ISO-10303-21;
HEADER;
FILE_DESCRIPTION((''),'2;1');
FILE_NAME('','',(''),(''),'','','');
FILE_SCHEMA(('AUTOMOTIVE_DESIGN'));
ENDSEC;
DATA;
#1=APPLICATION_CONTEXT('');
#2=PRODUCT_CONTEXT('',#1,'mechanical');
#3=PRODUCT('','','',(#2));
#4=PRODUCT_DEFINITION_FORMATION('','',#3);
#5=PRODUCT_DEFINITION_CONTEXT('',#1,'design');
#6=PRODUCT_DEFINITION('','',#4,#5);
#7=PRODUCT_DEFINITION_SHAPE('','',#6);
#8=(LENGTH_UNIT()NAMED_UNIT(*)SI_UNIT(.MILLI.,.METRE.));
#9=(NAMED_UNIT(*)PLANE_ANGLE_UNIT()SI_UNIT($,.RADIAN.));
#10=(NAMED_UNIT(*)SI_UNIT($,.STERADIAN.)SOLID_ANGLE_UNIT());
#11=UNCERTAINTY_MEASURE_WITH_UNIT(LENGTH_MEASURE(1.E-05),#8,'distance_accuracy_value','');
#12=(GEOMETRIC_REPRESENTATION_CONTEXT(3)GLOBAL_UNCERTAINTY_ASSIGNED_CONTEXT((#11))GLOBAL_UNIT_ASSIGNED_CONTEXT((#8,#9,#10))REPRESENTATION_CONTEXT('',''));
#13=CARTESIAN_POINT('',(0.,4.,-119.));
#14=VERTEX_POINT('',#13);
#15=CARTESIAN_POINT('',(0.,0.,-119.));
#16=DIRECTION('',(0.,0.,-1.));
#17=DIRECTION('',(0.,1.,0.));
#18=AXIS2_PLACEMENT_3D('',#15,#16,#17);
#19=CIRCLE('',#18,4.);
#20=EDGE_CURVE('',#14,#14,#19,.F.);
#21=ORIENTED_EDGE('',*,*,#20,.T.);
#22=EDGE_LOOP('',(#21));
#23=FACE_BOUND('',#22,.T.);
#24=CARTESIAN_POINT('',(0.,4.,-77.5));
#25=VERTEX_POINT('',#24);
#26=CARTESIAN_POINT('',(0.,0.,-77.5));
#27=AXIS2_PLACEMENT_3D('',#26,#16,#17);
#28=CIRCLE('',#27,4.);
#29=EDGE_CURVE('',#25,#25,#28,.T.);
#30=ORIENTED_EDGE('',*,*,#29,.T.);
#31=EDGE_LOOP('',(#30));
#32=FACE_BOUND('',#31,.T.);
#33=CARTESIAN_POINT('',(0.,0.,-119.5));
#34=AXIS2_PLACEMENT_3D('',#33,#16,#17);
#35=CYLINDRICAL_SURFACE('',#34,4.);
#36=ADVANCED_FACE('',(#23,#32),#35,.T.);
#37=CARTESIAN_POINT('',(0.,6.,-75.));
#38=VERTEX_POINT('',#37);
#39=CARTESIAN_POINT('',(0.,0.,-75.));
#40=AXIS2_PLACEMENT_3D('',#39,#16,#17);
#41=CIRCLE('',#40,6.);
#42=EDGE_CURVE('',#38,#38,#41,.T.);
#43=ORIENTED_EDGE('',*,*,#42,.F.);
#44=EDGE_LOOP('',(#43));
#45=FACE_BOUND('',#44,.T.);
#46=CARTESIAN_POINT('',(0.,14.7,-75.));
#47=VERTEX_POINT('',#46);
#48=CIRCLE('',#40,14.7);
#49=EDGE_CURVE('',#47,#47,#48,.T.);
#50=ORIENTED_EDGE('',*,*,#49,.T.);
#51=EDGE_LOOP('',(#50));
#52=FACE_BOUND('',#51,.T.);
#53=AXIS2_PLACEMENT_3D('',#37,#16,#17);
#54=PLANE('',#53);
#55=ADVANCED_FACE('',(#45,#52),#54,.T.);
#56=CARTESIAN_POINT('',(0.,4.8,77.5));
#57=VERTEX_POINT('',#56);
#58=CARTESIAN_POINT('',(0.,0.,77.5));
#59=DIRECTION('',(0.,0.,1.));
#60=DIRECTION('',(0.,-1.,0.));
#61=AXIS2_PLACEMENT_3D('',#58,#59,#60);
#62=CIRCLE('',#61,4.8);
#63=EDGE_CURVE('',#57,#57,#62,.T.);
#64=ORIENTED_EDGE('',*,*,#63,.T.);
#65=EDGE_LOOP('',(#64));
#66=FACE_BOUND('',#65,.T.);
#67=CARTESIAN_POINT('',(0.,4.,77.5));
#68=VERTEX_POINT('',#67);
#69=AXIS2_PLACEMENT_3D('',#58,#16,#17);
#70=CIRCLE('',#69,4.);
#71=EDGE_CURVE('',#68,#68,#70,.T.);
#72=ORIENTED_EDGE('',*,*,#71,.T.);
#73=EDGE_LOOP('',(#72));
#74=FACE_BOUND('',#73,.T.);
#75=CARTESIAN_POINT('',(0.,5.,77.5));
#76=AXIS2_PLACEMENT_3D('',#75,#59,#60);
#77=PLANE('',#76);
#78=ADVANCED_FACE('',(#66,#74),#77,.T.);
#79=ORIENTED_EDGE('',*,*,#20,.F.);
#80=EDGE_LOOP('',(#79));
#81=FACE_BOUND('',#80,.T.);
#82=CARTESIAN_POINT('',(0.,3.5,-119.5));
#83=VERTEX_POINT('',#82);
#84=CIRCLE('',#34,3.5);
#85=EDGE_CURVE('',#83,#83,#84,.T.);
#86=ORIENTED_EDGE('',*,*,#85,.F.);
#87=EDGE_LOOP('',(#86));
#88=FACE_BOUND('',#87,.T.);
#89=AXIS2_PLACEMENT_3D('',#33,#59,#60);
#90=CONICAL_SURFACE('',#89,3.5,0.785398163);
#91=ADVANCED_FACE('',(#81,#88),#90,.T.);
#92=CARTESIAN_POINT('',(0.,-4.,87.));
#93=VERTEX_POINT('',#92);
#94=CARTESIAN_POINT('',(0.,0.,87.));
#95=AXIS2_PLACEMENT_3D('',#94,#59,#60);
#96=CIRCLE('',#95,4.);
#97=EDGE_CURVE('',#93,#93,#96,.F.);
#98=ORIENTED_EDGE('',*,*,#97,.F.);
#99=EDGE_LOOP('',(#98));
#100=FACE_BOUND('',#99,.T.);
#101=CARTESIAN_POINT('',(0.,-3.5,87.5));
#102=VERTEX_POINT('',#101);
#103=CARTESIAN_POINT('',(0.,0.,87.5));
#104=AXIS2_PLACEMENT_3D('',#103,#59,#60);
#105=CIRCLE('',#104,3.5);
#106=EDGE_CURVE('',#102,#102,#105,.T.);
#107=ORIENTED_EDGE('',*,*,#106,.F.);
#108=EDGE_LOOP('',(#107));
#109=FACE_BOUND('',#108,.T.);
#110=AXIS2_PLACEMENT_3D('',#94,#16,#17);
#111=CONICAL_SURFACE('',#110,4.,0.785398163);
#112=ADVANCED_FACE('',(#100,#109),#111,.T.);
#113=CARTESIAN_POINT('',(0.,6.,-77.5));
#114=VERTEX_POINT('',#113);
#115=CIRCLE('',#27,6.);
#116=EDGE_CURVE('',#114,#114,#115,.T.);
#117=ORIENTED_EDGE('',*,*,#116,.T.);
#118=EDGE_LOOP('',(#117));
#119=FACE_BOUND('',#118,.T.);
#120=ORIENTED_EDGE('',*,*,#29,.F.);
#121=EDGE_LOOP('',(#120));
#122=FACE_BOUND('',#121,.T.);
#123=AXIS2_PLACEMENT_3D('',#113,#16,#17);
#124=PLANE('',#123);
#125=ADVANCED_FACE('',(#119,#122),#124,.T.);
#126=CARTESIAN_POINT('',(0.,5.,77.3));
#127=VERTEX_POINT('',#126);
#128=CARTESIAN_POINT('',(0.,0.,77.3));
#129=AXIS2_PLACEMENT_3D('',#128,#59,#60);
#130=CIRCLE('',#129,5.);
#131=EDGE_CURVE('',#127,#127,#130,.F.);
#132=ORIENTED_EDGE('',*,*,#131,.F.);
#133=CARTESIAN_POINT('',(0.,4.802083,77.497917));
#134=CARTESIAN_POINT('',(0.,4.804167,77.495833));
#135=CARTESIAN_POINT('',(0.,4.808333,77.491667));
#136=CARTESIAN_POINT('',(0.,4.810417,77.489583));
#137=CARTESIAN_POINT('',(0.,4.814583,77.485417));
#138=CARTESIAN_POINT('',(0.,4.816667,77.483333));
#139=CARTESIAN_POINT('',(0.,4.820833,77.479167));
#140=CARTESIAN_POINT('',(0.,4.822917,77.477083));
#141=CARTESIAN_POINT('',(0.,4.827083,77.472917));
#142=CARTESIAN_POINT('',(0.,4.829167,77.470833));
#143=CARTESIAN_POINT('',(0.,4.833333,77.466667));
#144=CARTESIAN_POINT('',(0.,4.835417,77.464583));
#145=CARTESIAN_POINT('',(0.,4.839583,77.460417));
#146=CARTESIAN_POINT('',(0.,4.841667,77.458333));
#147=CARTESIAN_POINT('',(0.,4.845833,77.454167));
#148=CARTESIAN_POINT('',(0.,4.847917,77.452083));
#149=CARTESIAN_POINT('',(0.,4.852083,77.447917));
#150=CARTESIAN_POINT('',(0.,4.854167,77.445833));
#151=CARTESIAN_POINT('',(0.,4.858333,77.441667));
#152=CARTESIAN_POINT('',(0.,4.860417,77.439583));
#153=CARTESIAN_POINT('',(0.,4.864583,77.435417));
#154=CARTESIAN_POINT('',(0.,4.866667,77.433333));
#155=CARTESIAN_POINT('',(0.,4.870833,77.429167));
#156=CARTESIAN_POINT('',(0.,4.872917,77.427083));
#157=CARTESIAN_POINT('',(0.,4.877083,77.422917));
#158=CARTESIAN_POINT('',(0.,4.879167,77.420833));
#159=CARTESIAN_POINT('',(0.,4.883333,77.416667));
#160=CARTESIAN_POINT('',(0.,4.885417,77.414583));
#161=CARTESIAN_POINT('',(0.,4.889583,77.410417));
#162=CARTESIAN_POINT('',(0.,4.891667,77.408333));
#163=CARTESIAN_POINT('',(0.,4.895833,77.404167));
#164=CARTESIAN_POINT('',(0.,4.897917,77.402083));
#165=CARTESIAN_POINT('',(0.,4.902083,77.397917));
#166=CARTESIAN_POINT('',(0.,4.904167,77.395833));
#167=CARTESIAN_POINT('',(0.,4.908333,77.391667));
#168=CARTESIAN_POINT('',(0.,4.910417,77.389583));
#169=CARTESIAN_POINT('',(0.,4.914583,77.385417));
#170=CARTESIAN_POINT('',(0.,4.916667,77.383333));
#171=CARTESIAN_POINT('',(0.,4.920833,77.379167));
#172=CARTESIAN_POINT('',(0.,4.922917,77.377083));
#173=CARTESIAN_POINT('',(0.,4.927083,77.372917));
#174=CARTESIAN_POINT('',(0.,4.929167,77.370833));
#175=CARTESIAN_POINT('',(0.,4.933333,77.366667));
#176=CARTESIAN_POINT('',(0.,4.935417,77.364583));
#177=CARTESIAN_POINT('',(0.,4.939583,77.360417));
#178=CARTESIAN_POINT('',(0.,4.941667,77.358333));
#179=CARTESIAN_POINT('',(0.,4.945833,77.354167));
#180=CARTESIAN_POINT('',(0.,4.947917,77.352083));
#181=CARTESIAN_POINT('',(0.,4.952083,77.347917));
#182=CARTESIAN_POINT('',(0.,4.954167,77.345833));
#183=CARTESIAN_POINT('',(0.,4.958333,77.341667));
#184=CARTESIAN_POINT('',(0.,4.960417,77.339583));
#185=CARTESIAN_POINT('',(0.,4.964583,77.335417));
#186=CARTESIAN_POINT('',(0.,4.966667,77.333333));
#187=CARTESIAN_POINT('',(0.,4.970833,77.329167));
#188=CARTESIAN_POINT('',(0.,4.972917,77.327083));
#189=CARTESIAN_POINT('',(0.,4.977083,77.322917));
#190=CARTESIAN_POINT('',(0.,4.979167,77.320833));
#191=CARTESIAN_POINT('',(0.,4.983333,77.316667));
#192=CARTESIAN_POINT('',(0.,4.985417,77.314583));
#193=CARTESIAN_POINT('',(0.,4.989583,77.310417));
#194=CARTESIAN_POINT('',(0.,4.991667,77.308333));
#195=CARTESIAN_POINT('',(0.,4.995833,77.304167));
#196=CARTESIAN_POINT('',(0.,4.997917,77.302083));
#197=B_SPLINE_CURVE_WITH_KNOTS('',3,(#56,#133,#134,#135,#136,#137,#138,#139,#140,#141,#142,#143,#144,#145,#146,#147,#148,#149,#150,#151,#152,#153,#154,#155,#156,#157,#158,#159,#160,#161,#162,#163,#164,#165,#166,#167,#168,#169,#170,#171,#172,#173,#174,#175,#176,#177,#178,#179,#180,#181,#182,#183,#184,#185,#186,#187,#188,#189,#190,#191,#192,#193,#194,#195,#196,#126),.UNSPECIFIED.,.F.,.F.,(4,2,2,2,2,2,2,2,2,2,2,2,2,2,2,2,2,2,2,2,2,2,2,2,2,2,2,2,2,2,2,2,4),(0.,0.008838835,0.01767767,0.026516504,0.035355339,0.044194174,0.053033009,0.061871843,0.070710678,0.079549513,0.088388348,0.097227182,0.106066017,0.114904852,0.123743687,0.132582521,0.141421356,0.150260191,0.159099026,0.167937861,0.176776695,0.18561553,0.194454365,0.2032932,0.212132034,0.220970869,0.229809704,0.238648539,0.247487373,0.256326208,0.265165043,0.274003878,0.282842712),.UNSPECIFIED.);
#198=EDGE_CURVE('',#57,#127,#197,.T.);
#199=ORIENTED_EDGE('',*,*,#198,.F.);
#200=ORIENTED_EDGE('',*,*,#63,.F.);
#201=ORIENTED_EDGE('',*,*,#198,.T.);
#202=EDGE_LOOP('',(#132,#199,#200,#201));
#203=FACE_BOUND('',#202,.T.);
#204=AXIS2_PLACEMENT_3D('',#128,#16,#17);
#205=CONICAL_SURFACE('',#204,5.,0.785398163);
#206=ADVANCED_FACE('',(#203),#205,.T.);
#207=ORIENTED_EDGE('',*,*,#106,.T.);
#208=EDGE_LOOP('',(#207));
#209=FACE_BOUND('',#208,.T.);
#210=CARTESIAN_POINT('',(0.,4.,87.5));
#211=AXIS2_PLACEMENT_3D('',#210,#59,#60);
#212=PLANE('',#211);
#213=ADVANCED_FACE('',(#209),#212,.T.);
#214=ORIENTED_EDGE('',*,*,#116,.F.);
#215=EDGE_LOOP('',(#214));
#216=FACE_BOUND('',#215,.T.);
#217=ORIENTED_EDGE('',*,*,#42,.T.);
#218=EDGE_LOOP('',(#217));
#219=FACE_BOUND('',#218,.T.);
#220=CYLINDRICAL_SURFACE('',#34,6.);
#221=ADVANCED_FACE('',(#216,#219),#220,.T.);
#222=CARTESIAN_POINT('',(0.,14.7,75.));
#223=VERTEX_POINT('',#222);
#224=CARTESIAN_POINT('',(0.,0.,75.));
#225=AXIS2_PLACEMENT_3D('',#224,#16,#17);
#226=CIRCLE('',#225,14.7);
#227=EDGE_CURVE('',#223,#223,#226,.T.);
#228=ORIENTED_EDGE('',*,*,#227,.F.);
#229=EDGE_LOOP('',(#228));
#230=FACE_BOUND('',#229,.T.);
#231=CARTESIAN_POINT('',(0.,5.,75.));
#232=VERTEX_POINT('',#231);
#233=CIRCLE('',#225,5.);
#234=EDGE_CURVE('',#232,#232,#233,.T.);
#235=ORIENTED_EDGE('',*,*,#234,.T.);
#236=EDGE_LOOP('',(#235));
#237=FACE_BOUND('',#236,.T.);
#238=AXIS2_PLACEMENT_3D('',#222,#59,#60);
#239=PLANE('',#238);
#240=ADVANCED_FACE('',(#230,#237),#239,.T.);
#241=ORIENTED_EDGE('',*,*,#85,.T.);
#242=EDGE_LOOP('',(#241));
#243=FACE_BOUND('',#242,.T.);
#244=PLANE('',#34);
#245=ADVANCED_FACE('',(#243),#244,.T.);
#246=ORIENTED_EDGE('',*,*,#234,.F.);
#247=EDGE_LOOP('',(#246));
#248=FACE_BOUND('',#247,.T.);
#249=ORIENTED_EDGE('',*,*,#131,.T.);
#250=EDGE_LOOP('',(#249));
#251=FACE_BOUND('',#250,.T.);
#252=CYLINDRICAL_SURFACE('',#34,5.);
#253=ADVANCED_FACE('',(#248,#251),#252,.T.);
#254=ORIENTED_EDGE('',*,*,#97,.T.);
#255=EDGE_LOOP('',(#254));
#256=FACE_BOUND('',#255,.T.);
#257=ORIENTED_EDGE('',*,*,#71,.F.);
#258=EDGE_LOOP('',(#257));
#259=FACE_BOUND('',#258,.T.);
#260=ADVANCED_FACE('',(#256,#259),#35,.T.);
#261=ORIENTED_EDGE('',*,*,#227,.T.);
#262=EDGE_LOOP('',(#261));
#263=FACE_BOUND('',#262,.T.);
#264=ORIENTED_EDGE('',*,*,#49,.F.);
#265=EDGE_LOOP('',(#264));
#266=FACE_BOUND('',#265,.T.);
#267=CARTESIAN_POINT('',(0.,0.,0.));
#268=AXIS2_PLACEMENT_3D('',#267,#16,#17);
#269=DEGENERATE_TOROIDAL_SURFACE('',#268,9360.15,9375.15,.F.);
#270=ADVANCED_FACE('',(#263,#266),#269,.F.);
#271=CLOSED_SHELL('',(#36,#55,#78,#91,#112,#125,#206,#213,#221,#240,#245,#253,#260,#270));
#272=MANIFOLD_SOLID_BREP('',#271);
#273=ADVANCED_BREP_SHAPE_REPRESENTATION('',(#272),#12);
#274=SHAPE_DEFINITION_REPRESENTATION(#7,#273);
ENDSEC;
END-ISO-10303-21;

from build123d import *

# Parameters (mm, degrees)
CHAMFER1_SIZE = 0.5
CHAMFER2_SIZE = 0.2


with BuildPart() as part:
    # Sketch1 → Revolve1 (revolve)
    with BuildSketch(Plane(origin=(0, 0, 0), x_dir=(0, 0, -1), z_dir=(1, 0, 0))):
        with BuildLine():
            Line((77.5, 6), (77.5, 4))
            Line((77.5, 4), (119.5, 4))
            Line((119.5, 4), (119.5, 0))
            Line((119.5, 0), (-87.5, 0))
            Line((-87.5, 0), (-87.5, 4))
            Line((-87.5, 4), (-77.5, 4))
            Line((-77.5, 4), (-77.5, 5))
            Line((-77.5, 5), (-75, 5))
            Line((-75, 5), (-75, 14.7))
            ThreePointArc((-75, 14.7), (0, 15), (75, 14.7))
            Line((75, 14.7), (75, 6))
            Line((75, 6), (77.5, 6))
        make_face()
    revolve(axis=Axis((0, 0, -119.5), (0, 0, 1)))

    # Chamfer1
    chamfer1_edges = [part.edges().sort_by_distance(p)[0] for p in [
        (0, -4, 87.5),
        (0, -4, -119.5),
    ]]
    chamfer(chamfer1_edges, length=CHAMFER1_SIZE)

    # Chamfer2
    chamfer2_edges = [part.edges().sort_by_distance(p)[0] for p in [
        (0, -5, 77.5),
    ]]
    chamfer(chamfer2_edges, length=CHAMFER2_SIZE)


solid = part.part
